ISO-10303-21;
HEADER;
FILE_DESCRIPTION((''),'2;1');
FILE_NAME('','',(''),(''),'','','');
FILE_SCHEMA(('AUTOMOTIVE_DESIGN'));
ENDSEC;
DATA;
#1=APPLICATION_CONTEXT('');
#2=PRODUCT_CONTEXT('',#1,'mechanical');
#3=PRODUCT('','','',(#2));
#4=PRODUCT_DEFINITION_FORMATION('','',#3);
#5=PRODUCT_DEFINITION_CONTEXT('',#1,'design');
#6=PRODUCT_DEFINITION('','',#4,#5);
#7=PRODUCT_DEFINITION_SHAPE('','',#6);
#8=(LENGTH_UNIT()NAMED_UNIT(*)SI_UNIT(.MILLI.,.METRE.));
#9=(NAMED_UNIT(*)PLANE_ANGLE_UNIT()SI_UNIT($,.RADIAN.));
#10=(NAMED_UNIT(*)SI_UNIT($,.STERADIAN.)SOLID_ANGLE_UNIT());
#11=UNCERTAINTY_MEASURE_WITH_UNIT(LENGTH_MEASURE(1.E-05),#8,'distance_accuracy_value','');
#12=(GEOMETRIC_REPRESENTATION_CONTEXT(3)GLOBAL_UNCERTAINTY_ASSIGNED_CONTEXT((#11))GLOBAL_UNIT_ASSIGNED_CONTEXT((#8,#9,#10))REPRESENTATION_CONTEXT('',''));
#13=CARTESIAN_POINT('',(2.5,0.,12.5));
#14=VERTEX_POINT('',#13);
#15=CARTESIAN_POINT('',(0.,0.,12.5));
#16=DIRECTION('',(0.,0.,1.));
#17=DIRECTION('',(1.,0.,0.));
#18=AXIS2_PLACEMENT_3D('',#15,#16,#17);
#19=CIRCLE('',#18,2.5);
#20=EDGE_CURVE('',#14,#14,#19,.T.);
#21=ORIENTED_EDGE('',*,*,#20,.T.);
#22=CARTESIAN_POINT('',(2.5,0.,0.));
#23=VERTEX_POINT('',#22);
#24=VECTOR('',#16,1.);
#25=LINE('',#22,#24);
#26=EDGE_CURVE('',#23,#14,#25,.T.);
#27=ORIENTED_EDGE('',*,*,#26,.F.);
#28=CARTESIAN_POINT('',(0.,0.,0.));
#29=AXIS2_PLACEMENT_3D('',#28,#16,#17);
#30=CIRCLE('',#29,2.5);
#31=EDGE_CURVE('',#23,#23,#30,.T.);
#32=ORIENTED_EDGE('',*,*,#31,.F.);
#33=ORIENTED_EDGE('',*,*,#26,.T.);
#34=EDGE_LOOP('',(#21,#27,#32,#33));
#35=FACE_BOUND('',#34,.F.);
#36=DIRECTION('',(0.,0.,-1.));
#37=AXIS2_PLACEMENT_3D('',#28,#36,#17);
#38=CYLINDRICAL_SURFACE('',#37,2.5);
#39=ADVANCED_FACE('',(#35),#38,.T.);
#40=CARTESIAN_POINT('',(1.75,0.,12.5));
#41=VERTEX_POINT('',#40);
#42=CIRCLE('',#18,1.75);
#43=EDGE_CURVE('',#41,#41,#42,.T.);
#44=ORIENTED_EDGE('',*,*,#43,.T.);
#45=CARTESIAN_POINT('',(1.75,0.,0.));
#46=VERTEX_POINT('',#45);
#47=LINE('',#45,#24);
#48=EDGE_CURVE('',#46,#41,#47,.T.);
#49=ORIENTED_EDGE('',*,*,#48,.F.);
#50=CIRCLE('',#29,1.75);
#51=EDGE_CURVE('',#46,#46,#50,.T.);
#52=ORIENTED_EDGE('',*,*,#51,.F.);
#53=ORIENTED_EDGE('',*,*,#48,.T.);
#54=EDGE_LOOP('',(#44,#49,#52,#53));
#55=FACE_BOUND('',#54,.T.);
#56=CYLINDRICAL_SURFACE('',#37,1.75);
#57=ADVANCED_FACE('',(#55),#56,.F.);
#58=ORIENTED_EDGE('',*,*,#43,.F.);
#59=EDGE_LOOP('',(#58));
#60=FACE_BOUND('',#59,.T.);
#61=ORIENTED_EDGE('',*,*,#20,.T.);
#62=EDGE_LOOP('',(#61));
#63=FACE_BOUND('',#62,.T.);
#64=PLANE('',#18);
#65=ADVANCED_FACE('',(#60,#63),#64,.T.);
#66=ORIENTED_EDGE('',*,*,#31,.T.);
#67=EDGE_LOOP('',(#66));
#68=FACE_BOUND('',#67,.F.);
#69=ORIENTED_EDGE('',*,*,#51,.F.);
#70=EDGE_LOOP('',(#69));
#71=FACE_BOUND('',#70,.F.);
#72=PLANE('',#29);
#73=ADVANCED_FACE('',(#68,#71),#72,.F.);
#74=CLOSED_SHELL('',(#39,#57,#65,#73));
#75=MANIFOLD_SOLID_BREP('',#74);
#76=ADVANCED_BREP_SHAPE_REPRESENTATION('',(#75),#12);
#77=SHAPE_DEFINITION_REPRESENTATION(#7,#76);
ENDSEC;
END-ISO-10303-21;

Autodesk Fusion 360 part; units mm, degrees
sketch "Sketch1" plane through (0, 0, 0) normal (0, 0, 1) x (1, 0, 0)
  circle A0 centre (0, 0) radius 1.75
  circle A1 centre (0, 0) radius 2.5
  dimension "d1" = 3.5
  dimension "d2" = 5
extrude "Extrude1" add sketch "Sketch1" along normal blind 15
extrude "Extrude2" cut 1 faces at (2.2342, -0.2111, 15) along direction (0, 0, -1) blind 2.5
